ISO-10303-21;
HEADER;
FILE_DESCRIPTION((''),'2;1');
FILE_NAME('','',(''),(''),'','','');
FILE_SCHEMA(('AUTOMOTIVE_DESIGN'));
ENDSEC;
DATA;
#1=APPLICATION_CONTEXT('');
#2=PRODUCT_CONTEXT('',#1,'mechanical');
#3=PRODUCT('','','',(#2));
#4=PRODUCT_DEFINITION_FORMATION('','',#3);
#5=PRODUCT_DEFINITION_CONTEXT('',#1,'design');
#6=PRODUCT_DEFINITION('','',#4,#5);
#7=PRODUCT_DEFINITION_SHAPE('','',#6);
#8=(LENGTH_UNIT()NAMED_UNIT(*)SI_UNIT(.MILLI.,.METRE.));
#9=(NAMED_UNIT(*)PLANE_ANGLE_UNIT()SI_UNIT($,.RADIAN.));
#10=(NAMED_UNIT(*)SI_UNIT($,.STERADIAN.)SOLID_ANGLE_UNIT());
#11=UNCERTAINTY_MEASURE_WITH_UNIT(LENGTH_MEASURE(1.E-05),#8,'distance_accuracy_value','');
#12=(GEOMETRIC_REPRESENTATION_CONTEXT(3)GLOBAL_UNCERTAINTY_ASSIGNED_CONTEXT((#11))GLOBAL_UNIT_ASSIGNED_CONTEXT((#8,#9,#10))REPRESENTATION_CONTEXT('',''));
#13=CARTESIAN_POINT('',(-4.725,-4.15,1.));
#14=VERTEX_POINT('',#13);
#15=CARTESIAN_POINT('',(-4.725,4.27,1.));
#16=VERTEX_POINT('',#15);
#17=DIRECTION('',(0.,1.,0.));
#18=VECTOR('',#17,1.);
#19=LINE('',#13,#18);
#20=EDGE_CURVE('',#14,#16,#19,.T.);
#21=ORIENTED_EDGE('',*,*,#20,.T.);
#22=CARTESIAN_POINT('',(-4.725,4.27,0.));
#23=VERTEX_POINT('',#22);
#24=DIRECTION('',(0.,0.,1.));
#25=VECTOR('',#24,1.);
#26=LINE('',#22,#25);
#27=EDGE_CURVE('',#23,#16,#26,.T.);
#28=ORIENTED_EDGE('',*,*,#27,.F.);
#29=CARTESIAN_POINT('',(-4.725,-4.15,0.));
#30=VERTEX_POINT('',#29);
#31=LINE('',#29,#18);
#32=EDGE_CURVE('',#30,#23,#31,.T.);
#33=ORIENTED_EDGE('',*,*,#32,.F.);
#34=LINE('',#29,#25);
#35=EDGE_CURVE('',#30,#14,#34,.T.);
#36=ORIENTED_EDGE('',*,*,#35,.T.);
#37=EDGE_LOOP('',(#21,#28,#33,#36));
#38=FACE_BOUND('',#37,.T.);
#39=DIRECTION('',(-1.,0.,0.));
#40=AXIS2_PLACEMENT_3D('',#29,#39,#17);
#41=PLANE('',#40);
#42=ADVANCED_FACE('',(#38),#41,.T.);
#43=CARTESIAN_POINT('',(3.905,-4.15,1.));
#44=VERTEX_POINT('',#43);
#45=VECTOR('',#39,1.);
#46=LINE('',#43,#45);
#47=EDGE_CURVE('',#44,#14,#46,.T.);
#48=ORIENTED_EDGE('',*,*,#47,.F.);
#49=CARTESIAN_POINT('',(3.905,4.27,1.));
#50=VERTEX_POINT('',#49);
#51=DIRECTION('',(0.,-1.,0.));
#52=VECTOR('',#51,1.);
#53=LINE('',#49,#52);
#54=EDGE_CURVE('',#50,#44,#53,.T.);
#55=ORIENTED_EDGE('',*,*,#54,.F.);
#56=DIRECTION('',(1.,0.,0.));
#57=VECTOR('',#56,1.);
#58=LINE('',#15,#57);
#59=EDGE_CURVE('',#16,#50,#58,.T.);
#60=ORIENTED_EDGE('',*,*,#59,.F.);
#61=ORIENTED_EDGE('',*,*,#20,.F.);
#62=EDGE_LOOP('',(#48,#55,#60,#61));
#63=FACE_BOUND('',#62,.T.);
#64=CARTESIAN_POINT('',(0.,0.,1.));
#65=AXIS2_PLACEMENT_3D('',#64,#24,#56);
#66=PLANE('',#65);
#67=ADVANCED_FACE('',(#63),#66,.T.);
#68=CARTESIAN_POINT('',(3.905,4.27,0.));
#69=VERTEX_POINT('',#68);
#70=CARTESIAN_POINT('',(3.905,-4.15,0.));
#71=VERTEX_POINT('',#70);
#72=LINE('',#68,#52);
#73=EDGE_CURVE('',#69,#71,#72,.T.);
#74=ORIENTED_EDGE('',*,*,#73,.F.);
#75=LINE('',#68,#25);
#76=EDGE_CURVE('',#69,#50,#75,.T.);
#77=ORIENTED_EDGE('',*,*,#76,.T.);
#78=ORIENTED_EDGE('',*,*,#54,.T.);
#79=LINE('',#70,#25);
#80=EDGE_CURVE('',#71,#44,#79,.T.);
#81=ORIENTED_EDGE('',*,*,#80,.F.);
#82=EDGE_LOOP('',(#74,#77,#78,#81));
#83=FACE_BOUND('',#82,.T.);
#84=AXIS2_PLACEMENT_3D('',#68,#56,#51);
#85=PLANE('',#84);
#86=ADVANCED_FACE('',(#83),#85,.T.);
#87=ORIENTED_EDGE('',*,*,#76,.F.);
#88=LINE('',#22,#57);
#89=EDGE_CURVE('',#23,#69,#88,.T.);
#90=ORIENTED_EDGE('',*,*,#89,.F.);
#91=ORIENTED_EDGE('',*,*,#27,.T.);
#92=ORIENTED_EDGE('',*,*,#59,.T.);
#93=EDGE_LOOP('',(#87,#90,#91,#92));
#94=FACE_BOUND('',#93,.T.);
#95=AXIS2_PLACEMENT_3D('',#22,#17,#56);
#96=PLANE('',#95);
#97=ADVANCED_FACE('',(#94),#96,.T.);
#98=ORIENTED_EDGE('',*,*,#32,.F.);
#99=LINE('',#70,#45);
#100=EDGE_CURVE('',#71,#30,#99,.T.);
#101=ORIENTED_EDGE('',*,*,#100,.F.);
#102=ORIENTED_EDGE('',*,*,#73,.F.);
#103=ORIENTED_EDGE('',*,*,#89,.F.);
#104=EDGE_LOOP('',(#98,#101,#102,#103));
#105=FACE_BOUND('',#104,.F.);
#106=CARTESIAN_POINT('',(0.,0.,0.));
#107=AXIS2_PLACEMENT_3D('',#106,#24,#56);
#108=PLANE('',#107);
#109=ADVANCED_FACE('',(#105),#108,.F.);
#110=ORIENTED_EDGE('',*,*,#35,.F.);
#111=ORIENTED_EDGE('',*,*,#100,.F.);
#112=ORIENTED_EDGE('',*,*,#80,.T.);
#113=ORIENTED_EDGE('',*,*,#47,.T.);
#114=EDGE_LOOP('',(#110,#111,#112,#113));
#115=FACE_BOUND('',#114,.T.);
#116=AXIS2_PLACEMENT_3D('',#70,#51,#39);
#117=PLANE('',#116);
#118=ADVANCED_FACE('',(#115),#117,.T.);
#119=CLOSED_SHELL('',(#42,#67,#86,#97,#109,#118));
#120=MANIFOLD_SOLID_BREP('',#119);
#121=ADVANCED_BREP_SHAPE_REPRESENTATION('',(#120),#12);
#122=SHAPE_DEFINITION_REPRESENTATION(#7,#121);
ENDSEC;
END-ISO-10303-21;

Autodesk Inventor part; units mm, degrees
ref_plane "YZ Plane" through (0, 0, 0) normal (1, 0, 0) x (0, 1, 0)
ref_plane "XZ Plane" through (0, 0, 0) normal (0, 1, 0) x (-1, 0, 0)
ref_plane "XY Plane" through (0, 0, 0) normal (0, 0, 1) x (1, 0, 0)
sketch "SOP65P640X120-24N, TCA9548APWR_46" plane through (0, 0, 0) normal (0, 0, 1) x (1, 0, 0)
  line L0 (-4.725, 4.27) -> (3.905, 4.27)
  line L1 (3.905, 4.27) -> (3.905, -4.15)
  line L2 (3.905, -4.15) -> (-4.725, -4.15)
  line L3 (-4.725, -4.15) -> (-4.725, 4.27)
extrude "Extrusion1" add sketch "SOP65P640X120-24N, TCA9548APWR_46" along normal blind 1
properties part number "TCA9548APWR"
